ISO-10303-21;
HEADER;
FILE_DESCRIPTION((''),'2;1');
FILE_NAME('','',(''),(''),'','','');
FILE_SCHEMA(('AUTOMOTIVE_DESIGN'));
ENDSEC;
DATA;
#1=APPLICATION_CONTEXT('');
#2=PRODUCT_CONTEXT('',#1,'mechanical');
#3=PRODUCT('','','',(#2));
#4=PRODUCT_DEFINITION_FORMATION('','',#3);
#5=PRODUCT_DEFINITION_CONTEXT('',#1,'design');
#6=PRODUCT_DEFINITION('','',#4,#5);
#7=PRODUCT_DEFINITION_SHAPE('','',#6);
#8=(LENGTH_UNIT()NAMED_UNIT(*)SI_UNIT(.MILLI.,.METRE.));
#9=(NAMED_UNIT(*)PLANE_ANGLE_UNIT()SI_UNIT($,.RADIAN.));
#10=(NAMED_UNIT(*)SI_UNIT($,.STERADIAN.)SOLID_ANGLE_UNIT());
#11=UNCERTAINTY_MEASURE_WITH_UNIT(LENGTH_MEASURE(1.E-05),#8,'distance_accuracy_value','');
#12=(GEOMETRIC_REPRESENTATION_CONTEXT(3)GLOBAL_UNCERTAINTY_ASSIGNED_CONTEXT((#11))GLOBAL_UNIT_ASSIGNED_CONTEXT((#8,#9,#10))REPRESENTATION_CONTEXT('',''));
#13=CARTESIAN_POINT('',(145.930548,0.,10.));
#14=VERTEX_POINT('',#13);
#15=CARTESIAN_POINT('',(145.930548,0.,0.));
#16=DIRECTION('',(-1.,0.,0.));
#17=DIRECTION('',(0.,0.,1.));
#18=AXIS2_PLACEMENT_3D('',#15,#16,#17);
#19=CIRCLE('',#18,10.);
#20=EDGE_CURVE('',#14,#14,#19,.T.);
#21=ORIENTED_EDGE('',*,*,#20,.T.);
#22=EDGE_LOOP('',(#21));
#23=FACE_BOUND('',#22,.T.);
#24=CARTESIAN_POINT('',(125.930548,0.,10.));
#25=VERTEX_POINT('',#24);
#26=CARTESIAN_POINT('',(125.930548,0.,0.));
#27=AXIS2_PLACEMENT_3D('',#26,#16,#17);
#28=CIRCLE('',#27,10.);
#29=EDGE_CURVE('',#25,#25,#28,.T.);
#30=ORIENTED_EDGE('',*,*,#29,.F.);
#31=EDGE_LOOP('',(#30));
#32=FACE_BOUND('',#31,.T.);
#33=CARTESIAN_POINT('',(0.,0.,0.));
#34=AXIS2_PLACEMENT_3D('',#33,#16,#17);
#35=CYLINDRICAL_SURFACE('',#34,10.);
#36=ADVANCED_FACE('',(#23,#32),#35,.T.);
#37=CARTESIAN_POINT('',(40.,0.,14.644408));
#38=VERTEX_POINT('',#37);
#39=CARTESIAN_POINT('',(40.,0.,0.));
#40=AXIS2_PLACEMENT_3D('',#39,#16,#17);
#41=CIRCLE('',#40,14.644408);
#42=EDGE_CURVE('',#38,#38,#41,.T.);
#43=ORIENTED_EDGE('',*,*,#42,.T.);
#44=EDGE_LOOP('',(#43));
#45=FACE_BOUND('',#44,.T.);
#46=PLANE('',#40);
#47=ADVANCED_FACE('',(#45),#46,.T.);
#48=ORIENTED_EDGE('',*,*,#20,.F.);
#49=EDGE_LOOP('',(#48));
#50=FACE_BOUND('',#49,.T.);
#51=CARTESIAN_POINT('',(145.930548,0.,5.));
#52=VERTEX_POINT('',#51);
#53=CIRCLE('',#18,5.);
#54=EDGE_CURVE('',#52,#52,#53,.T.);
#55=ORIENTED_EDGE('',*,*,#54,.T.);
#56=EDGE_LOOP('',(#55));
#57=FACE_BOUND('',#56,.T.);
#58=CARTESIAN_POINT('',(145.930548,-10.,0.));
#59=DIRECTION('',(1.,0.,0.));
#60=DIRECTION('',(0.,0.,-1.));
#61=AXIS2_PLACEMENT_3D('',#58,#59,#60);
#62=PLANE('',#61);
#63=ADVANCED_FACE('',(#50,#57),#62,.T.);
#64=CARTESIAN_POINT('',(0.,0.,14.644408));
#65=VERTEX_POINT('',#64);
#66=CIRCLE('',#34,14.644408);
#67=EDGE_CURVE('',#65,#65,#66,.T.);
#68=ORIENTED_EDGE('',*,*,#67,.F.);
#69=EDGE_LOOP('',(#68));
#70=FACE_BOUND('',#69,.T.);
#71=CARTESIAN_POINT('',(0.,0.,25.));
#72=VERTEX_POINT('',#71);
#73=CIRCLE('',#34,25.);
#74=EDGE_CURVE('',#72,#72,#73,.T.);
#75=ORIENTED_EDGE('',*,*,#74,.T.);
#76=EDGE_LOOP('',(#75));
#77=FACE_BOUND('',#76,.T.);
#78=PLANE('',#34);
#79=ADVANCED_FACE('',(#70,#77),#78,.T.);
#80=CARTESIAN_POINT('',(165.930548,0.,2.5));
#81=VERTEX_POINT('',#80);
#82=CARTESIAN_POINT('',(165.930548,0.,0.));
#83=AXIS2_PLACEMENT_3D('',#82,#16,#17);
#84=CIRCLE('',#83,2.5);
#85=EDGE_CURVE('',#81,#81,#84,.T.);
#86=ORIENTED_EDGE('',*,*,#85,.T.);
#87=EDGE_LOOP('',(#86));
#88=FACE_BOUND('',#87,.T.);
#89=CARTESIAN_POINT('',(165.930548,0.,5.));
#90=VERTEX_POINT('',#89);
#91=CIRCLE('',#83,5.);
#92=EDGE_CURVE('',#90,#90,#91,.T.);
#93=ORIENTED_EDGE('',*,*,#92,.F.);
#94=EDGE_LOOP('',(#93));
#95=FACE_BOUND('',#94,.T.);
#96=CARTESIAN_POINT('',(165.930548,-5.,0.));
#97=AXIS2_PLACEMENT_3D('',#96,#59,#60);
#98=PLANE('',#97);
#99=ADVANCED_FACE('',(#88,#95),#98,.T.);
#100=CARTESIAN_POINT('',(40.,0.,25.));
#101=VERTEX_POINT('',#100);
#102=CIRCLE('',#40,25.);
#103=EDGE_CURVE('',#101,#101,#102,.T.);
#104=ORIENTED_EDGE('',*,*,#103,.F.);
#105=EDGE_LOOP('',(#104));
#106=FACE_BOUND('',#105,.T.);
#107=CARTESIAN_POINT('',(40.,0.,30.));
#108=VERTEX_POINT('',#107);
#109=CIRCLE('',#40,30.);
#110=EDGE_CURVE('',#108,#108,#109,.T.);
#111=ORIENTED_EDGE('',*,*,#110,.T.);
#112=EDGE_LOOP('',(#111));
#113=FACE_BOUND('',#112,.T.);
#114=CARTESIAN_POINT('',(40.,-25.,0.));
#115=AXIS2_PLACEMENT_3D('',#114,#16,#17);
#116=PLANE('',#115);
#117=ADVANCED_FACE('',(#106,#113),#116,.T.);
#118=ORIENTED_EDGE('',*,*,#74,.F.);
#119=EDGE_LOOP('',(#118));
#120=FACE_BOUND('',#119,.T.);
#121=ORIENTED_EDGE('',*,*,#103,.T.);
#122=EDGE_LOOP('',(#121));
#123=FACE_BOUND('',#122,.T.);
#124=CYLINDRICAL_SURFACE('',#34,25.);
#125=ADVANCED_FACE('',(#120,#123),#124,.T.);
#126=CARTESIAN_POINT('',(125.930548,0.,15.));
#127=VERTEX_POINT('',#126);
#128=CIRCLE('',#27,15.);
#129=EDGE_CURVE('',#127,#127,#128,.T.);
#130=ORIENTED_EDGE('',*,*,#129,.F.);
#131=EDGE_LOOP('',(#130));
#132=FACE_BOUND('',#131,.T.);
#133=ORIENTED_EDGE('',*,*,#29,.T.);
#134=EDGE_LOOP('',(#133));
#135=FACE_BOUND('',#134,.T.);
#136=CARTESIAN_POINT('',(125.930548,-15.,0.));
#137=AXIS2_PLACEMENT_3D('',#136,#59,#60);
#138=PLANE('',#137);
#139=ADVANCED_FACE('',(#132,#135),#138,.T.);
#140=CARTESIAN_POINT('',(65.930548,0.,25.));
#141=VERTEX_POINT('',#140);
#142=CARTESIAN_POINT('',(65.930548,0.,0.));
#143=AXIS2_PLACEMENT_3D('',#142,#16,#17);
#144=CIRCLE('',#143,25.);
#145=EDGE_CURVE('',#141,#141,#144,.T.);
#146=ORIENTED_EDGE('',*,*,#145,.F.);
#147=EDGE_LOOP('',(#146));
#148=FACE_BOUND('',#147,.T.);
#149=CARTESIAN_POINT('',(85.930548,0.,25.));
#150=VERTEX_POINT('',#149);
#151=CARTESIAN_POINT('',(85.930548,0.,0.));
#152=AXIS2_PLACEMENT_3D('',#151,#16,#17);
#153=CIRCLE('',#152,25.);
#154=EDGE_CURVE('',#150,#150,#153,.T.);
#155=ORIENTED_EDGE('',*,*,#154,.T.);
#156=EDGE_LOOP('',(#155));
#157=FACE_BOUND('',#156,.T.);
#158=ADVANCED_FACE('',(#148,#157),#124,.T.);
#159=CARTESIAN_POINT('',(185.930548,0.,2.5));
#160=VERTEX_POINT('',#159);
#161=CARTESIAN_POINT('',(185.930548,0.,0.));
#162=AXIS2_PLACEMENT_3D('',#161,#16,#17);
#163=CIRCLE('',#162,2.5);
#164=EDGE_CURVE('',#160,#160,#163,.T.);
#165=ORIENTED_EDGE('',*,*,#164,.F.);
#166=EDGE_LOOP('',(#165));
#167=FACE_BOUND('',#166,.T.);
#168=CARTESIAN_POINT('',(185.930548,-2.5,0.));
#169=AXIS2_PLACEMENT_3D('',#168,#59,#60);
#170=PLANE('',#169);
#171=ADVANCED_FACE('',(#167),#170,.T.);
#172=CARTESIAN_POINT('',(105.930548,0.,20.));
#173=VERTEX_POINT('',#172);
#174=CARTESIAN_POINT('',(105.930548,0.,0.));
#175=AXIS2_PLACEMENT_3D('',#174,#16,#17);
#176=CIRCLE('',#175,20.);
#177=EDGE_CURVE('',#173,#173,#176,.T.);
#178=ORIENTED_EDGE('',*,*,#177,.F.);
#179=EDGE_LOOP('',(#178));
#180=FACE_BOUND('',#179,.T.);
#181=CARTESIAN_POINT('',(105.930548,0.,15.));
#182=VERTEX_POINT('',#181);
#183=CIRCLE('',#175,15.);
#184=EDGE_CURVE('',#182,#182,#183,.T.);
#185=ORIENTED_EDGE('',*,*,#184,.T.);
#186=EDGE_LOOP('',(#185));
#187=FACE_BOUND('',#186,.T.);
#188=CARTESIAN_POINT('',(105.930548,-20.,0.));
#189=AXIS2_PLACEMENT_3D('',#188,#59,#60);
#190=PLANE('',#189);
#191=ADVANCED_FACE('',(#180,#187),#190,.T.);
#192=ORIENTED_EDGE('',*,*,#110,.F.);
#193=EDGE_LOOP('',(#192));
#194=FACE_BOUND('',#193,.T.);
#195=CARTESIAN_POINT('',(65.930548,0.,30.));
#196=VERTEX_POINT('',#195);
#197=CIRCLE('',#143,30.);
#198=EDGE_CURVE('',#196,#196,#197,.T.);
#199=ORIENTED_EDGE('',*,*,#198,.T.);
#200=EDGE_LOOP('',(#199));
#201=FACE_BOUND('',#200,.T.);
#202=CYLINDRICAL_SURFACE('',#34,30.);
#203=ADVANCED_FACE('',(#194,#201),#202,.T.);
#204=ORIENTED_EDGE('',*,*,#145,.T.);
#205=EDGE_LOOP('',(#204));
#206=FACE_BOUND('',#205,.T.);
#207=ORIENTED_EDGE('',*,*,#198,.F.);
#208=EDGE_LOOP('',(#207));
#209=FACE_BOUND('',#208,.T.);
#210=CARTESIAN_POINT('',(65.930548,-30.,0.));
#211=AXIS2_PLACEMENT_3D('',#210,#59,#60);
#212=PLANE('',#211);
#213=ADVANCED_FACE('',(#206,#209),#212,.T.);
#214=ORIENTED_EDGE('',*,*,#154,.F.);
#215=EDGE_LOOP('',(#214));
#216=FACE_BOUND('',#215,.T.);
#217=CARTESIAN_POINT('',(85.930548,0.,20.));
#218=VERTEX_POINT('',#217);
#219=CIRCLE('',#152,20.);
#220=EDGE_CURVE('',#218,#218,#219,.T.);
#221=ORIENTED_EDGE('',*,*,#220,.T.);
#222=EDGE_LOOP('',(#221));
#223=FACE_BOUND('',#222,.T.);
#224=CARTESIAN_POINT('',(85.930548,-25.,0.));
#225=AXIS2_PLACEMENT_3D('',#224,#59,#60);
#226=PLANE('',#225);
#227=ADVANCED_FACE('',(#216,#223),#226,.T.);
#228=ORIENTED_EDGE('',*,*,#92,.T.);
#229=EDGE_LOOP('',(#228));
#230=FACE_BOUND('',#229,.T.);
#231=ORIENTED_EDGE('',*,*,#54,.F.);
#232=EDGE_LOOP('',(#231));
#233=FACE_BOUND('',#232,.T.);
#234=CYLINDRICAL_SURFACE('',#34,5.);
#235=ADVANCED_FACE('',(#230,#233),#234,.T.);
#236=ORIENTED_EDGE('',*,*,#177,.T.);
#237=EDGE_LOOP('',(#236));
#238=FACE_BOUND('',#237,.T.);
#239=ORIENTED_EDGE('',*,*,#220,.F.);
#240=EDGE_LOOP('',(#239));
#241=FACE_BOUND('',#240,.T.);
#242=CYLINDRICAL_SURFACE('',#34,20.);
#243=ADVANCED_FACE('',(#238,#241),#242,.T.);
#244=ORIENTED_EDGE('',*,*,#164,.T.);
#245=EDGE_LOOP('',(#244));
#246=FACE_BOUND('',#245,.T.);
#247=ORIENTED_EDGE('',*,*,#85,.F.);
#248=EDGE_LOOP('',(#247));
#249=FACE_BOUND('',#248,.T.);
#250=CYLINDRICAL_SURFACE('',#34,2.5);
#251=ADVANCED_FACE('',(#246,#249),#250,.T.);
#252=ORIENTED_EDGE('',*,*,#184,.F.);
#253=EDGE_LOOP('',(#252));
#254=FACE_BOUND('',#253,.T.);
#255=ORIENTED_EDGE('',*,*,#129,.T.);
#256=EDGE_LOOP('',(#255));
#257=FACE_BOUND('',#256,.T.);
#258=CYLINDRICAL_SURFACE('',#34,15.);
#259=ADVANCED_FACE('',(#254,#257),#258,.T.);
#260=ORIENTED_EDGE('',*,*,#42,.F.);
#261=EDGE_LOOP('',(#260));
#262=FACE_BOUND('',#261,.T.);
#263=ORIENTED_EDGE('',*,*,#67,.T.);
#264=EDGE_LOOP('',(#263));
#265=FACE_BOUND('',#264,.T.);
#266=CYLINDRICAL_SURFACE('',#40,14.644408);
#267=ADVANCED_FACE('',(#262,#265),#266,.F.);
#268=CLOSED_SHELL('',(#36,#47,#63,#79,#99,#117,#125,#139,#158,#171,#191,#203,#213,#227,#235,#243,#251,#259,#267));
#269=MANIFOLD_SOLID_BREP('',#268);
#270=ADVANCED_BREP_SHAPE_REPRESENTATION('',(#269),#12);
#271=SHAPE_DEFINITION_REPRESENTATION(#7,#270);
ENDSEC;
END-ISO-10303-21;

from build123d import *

# Parameters (mm, degrees)
SKETCH2_R          = 14.644408022
CUT_EXTRUDE1_DEPTH = 40


with BuildPart() as part:
    # Sketch1 → Revolve1 (revolve)
    with BuildSketch(Plane.XY, mode=Mode.PRIVATE) as revolve1_sk:
        Polygon((0, 0), (0, -25), (40, -25), (40, -30), (65.930548057, -30), (65.930548057, -25), (85.930548057, -25), (85.930548057, -20), (105.930548057, -20), (105.930548057, -15), (125.930548057, -15), (125.930548057, -10), (145.930548057, -10), (145.930548057, -5), (165.930548057, -5), (165.930548057, -2.5), (185.930548057, -2.5), (185.930548057, 0), align=None)
    revolve(revolve1_sk.sketch.rotate(Axis((0, 0, 0), (1, 0, 0)), 270), axis=Axis((0, 0, 0), (1, 0, 0)))  # turned: the seam where the file's is

    # Sketch2 → Cut-Extrude1 (cut)
    with BuildSketch(Plane.ZY):
        Circle(SKETCH2_R)
    extrude(amount=-CUT_EXTRUDE1_DEPTH, mode=Mode.SUBTRACT)


solid = part.part
